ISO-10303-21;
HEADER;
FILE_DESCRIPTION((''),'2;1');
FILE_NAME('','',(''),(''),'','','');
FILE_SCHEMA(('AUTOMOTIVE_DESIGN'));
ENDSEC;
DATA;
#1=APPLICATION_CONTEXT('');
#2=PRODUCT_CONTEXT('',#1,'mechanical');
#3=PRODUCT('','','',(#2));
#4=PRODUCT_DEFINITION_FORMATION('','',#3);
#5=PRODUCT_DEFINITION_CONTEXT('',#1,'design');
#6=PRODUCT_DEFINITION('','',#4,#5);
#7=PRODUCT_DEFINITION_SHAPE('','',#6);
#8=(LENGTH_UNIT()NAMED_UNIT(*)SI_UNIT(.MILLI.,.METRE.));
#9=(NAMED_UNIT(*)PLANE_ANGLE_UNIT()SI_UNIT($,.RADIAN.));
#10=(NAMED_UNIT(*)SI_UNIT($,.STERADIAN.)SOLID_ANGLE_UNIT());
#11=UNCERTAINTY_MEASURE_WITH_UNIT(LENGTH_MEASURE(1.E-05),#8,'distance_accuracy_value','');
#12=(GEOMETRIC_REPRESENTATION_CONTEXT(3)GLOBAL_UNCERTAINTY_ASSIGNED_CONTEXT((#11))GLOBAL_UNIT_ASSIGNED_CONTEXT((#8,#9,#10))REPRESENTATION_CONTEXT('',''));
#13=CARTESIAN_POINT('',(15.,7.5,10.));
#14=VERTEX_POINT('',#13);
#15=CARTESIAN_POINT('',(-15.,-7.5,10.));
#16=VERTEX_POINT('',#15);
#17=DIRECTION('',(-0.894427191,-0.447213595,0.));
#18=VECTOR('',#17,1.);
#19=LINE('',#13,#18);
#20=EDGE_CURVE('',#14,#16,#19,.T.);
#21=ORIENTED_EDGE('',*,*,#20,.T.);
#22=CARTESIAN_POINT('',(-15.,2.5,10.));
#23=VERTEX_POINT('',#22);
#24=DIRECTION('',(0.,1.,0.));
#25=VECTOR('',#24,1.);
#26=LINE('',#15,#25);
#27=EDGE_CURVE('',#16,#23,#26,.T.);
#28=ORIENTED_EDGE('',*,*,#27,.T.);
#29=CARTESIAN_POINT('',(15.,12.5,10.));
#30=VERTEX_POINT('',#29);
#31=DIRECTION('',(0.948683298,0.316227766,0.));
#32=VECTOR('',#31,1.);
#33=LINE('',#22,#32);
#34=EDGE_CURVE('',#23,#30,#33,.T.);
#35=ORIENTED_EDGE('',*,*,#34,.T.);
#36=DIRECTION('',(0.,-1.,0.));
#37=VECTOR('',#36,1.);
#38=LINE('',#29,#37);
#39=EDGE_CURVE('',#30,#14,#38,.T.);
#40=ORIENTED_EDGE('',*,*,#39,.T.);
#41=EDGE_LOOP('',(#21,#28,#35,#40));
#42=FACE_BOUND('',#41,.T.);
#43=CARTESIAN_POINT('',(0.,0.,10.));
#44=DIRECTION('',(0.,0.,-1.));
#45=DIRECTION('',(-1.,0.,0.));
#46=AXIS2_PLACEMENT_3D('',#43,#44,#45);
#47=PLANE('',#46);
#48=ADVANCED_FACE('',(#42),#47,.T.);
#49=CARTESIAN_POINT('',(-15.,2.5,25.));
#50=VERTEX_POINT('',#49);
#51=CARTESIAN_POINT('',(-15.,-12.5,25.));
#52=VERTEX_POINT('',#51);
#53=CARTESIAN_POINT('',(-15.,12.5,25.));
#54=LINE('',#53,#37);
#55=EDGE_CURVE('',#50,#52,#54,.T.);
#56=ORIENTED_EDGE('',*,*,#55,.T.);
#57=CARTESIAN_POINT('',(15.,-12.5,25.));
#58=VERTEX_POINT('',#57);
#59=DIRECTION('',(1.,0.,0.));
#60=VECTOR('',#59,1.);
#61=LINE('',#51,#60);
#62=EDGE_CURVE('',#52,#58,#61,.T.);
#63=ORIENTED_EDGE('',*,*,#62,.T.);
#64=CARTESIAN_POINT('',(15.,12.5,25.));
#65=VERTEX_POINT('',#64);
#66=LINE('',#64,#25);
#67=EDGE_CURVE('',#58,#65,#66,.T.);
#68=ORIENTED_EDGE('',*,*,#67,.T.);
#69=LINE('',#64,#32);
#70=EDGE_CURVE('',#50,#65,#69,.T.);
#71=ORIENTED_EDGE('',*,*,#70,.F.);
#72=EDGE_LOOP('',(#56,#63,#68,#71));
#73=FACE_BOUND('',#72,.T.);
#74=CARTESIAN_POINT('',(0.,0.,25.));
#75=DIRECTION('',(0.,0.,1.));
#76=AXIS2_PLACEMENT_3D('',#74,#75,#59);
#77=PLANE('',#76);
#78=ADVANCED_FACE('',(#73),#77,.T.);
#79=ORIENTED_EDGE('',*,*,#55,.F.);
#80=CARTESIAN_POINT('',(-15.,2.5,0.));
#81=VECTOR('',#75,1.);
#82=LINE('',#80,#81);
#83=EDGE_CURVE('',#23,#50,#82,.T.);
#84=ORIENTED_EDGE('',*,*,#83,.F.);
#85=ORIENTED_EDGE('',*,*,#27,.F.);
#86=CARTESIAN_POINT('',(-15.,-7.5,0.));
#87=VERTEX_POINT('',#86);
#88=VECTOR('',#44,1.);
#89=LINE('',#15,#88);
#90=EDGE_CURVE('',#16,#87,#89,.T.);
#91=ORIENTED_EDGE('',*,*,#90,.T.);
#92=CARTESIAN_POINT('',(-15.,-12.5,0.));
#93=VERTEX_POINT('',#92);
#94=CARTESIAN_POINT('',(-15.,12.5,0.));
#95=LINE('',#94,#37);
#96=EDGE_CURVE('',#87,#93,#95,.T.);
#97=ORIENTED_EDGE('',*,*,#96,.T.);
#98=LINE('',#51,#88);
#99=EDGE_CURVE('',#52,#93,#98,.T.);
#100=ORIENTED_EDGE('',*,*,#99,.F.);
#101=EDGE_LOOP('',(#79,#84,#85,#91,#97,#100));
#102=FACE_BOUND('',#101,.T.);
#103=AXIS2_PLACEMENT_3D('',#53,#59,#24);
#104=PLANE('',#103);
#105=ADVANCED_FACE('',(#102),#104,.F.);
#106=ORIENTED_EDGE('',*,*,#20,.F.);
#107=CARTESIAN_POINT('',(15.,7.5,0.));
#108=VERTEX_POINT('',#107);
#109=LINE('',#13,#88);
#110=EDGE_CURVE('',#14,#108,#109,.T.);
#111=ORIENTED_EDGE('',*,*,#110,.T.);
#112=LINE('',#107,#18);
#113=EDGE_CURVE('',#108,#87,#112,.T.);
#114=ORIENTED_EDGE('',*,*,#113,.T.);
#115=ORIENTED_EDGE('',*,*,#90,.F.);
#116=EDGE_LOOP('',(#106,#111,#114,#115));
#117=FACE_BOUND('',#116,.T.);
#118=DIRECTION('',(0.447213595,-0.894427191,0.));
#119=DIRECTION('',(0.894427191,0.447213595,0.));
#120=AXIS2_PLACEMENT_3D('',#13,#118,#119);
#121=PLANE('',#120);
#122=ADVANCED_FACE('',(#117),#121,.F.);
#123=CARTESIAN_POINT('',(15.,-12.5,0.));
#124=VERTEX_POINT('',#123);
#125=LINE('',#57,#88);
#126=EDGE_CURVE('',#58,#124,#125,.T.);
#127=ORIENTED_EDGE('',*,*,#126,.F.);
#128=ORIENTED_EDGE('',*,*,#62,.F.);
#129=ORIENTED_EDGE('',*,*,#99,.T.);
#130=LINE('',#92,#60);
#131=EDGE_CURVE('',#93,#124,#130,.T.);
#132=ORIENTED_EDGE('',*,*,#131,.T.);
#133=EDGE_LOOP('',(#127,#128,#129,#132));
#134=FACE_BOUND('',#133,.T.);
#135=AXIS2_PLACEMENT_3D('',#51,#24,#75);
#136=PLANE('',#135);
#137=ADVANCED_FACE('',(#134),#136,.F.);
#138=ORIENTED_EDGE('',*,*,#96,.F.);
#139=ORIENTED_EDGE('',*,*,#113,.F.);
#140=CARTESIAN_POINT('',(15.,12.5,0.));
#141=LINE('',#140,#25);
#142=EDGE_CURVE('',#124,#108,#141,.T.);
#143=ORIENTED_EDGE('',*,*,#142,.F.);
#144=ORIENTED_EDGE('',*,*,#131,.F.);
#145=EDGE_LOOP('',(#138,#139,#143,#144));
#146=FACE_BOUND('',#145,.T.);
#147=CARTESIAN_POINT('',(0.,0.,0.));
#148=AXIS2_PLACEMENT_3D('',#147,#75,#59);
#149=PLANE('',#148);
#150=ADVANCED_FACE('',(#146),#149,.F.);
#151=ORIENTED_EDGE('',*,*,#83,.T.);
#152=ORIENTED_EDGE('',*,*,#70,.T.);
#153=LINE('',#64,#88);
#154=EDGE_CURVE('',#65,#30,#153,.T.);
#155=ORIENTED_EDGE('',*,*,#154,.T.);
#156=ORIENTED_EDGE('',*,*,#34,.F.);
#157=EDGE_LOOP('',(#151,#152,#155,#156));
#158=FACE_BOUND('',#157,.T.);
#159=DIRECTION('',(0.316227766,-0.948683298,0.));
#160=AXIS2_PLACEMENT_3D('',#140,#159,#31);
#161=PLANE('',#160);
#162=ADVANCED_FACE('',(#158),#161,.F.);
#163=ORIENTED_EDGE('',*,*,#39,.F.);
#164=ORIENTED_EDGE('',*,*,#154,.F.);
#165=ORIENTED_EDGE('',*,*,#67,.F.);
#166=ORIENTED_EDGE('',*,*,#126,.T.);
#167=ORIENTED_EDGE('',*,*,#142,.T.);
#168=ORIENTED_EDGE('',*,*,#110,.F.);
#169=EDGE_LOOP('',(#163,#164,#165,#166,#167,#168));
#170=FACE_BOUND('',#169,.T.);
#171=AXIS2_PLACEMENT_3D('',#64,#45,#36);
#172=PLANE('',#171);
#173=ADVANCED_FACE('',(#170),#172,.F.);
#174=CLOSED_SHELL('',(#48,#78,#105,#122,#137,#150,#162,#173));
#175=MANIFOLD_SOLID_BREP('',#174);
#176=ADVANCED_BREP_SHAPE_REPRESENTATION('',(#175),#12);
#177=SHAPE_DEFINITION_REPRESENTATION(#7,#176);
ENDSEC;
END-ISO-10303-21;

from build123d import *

# Parameters (mm, degrees)
SKETCH1_W           = 30
SKETCH1_H           = 25
BOSS_EXTRUDE1_DEPTH = 25
CUT_EXTRUDE1_DEPTH  = 26
CUT_EXTRUDE2_DEPTH  = 10


with BuildPart() as part:
    # Sketch1 → Boss-Extrude1 (new body)
    with BuildSketch(Plane.XY):
        Rectangle(SKETCH1_W, SKETCH1_H)
    extrude(amount=BOSS_EXTRUDE1_DEPTH)

    # Sketch3 → Cut-Extrude1 (cut, through all)
    with BuildSketch(Plane.XY.offset(25)):
        Polygon((15, 12.5), (-15, 2.5), (-15, 12.5), align=None)
    extrude(amount=-CUT_EXTRUDE1_DEPTH, mode=Mode.SUBTRACT)

    # Sketch4 → Cut-Extrude2 (cut)
    with BuildSketch(Plane(origin=(0, 0, 0), x_dir=(-1, 0, 0), z_dir=(0, 0, -1))):
        Polygon((-15, 12.5), (-15, 7.5), (15, -7.5), (15, 2.5), align=None)
    extrude(amount=-CUT_EXTRUDE2_DEPTH, mode=Mode.SUBTRACT)


solid = part.part
